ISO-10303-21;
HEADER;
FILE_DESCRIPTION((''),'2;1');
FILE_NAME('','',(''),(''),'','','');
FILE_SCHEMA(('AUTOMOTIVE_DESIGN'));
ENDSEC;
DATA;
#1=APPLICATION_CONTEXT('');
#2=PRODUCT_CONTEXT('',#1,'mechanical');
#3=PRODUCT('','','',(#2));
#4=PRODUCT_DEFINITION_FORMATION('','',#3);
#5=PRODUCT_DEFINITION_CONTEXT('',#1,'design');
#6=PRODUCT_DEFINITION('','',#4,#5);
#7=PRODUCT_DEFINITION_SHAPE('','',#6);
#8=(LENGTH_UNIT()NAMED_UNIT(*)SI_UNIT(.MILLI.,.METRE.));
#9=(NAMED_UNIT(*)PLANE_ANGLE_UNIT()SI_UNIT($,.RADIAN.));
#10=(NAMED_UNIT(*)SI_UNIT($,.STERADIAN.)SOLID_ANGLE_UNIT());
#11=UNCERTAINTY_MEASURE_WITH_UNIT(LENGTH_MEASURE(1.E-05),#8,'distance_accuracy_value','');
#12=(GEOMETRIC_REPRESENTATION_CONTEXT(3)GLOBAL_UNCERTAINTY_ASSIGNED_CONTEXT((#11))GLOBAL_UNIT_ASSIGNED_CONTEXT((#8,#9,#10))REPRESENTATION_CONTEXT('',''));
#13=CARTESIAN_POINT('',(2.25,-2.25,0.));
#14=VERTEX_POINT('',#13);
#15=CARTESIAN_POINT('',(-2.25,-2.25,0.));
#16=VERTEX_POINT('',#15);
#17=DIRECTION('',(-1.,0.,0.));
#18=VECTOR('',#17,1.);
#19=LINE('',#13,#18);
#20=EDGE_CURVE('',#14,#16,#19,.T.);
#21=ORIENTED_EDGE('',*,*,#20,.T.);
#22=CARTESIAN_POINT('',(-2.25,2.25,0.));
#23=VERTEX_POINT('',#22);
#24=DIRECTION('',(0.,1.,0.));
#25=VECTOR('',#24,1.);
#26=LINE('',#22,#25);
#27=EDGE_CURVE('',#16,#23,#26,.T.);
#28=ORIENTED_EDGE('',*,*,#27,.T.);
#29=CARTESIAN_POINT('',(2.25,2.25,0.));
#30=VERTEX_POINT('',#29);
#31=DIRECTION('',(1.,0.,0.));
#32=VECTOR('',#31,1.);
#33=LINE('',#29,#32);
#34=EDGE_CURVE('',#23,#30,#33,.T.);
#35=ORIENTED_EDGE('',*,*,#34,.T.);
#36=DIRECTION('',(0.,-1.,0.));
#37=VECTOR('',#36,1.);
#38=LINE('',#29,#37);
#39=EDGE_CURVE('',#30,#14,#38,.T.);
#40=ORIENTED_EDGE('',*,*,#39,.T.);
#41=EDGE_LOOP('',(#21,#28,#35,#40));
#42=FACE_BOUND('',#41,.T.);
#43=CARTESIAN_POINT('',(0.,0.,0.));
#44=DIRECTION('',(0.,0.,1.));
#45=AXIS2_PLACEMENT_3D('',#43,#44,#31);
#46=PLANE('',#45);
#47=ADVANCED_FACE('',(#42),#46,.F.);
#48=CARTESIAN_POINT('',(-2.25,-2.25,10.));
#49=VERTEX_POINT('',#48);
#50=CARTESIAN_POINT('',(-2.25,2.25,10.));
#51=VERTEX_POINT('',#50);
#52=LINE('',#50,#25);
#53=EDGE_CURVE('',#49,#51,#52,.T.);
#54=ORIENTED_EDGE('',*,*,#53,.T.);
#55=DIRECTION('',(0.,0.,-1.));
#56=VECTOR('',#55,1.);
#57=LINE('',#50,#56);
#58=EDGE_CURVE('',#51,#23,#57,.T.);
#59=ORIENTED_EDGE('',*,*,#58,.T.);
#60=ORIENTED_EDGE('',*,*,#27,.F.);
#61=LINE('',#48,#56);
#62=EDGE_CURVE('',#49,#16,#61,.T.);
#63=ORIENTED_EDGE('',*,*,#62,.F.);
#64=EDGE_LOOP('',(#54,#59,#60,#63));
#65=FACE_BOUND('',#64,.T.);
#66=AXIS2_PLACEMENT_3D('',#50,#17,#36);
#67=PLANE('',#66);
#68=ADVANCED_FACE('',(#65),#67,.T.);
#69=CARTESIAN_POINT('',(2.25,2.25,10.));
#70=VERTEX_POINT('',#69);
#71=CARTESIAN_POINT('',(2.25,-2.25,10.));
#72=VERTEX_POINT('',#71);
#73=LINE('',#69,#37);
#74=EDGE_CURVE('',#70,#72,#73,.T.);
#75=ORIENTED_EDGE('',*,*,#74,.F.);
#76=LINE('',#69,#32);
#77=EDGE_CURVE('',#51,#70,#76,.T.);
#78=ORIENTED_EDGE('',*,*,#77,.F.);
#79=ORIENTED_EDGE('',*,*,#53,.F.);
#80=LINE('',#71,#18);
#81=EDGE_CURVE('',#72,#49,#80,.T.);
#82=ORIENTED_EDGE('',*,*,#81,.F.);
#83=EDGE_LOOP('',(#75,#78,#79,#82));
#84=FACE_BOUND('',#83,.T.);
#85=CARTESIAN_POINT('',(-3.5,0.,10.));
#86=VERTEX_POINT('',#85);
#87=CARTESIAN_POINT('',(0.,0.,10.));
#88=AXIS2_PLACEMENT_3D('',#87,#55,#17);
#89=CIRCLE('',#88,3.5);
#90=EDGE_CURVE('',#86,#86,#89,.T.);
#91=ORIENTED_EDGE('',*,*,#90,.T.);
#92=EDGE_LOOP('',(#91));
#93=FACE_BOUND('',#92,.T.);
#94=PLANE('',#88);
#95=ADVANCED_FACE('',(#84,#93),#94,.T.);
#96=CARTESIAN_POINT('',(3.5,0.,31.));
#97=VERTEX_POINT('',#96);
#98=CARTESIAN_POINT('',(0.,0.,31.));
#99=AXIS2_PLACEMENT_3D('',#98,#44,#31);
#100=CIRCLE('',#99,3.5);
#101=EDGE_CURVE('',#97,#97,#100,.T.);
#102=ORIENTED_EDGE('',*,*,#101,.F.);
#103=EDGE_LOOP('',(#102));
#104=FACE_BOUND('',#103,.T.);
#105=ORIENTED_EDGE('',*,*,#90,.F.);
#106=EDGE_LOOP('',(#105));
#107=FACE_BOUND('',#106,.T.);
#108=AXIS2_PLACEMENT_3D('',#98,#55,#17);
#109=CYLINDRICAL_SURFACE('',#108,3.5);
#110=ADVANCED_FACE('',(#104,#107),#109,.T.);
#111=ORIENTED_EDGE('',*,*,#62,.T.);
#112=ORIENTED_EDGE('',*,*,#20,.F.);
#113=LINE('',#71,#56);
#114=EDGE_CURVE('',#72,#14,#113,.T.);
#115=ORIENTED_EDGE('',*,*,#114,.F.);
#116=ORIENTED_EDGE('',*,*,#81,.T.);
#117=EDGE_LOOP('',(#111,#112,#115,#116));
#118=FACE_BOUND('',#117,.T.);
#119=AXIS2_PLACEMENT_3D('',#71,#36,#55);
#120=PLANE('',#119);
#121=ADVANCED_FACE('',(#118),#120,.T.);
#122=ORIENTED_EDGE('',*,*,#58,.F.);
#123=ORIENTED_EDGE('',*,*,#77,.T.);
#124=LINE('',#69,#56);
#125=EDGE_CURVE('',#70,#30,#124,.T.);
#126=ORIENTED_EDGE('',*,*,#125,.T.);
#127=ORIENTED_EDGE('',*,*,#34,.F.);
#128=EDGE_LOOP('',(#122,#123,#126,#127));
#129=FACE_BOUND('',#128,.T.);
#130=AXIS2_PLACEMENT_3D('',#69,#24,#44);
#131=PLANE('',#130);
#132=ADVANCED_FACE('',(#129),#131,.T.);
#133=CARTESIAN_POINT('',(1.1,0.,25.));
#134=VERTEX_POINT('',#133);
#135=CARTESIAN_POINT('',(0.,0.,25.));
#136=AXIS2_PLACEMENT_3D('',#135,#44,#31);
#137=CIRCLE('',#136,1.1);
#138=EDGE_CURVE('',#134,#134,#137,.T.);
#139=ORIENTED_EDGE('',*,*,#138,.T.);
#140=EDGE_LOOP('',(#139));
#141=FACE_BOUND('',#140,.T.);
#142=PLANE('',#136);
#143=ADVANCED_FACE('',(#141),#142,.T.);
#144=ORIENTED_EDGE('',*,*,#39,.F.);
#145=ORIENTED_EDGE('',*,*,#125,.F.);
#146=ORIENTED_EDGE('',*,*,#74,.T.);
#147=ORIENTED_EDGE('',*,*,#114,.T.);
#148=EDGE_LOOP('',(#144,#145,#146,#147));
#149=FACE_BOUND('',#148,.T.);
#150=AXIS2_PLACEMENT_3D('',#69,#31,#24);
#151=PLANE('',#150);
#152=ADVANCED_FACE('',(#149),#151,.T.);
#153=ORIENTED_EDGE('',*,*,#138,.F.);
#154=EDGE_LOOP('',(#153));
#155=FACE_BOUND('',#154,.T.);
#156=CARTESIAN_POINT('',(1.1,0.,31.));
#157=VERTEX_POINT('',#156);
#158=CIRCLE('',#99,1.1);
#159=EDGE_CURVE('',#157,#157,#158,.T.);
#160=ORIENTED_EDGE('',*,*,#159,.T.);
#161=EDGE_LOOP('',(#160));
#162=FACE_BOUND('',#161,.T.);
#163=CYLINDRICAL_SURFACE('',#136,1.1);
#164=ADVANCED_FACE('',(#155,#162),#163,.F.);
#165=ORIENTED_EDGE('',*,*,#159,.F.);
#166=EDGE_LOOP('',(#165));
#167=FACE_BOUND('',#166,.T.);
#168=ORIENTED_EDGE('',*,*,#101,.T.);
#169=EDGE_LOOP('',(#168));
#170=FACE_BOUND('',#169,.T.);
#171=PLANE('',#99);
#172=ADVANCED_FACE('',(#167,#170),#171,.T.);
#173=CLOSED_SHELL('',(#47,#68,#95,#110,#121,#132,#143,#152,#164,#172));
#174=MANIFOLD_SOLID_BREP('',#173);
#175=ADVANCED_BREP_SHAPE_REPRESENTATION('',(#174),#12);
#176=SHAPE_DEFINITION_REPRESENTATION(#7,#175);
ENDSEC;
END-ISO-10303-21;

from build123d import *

# Parameters (mm, degrees)
SKETCH2_R           = 3.5
BOSS_EXTRUDE1_DEPTH = 31
SKETCH4_R           = 3.5
SKETCH4_W           = 4.5
SKETCH4_H           = 4.5
CUT_EXTRUDE1_DEPTH  = 10
SKETCH7_R           = 1.1
CUT_EXTRUDE2_DEPTH  = 6


with BuildPart() as part:
    # Sketch2 → Boss-Extrude1 (new body)
    with BuildSketch(Plane.XY):
        Circle(SKETCH2_R)
    extrude(amount=BOSS_EXTRUDE1_DEPTH)

    # Sketch4 → Cut-Extrude1 (cut)
    with BuildSketch(Plane(origin=(0, 0, 0), x_dir=(-1, 0, 0), z_dir=(0, 0, -1))):
        Circle(SKETCH4_R)
        Rectangle(SKETCH4_W, SKETCH4_H, mode=Mode.SUBTRACT)
    extrude(amount=-CUT_EXTRUDE1_DEPTH, mode=Mode.SUBTRACT)

    # Sketch7 → Cut-Extrude2 (cut)
    with BuildSketch(Plane.XY.offset(31)):
        Circle(SKETCH7_R)
    extrude(amount=-CUT_EXTRUDE2_DEPTH, mode=Mode.SUBTRACT)


solid = part.part
